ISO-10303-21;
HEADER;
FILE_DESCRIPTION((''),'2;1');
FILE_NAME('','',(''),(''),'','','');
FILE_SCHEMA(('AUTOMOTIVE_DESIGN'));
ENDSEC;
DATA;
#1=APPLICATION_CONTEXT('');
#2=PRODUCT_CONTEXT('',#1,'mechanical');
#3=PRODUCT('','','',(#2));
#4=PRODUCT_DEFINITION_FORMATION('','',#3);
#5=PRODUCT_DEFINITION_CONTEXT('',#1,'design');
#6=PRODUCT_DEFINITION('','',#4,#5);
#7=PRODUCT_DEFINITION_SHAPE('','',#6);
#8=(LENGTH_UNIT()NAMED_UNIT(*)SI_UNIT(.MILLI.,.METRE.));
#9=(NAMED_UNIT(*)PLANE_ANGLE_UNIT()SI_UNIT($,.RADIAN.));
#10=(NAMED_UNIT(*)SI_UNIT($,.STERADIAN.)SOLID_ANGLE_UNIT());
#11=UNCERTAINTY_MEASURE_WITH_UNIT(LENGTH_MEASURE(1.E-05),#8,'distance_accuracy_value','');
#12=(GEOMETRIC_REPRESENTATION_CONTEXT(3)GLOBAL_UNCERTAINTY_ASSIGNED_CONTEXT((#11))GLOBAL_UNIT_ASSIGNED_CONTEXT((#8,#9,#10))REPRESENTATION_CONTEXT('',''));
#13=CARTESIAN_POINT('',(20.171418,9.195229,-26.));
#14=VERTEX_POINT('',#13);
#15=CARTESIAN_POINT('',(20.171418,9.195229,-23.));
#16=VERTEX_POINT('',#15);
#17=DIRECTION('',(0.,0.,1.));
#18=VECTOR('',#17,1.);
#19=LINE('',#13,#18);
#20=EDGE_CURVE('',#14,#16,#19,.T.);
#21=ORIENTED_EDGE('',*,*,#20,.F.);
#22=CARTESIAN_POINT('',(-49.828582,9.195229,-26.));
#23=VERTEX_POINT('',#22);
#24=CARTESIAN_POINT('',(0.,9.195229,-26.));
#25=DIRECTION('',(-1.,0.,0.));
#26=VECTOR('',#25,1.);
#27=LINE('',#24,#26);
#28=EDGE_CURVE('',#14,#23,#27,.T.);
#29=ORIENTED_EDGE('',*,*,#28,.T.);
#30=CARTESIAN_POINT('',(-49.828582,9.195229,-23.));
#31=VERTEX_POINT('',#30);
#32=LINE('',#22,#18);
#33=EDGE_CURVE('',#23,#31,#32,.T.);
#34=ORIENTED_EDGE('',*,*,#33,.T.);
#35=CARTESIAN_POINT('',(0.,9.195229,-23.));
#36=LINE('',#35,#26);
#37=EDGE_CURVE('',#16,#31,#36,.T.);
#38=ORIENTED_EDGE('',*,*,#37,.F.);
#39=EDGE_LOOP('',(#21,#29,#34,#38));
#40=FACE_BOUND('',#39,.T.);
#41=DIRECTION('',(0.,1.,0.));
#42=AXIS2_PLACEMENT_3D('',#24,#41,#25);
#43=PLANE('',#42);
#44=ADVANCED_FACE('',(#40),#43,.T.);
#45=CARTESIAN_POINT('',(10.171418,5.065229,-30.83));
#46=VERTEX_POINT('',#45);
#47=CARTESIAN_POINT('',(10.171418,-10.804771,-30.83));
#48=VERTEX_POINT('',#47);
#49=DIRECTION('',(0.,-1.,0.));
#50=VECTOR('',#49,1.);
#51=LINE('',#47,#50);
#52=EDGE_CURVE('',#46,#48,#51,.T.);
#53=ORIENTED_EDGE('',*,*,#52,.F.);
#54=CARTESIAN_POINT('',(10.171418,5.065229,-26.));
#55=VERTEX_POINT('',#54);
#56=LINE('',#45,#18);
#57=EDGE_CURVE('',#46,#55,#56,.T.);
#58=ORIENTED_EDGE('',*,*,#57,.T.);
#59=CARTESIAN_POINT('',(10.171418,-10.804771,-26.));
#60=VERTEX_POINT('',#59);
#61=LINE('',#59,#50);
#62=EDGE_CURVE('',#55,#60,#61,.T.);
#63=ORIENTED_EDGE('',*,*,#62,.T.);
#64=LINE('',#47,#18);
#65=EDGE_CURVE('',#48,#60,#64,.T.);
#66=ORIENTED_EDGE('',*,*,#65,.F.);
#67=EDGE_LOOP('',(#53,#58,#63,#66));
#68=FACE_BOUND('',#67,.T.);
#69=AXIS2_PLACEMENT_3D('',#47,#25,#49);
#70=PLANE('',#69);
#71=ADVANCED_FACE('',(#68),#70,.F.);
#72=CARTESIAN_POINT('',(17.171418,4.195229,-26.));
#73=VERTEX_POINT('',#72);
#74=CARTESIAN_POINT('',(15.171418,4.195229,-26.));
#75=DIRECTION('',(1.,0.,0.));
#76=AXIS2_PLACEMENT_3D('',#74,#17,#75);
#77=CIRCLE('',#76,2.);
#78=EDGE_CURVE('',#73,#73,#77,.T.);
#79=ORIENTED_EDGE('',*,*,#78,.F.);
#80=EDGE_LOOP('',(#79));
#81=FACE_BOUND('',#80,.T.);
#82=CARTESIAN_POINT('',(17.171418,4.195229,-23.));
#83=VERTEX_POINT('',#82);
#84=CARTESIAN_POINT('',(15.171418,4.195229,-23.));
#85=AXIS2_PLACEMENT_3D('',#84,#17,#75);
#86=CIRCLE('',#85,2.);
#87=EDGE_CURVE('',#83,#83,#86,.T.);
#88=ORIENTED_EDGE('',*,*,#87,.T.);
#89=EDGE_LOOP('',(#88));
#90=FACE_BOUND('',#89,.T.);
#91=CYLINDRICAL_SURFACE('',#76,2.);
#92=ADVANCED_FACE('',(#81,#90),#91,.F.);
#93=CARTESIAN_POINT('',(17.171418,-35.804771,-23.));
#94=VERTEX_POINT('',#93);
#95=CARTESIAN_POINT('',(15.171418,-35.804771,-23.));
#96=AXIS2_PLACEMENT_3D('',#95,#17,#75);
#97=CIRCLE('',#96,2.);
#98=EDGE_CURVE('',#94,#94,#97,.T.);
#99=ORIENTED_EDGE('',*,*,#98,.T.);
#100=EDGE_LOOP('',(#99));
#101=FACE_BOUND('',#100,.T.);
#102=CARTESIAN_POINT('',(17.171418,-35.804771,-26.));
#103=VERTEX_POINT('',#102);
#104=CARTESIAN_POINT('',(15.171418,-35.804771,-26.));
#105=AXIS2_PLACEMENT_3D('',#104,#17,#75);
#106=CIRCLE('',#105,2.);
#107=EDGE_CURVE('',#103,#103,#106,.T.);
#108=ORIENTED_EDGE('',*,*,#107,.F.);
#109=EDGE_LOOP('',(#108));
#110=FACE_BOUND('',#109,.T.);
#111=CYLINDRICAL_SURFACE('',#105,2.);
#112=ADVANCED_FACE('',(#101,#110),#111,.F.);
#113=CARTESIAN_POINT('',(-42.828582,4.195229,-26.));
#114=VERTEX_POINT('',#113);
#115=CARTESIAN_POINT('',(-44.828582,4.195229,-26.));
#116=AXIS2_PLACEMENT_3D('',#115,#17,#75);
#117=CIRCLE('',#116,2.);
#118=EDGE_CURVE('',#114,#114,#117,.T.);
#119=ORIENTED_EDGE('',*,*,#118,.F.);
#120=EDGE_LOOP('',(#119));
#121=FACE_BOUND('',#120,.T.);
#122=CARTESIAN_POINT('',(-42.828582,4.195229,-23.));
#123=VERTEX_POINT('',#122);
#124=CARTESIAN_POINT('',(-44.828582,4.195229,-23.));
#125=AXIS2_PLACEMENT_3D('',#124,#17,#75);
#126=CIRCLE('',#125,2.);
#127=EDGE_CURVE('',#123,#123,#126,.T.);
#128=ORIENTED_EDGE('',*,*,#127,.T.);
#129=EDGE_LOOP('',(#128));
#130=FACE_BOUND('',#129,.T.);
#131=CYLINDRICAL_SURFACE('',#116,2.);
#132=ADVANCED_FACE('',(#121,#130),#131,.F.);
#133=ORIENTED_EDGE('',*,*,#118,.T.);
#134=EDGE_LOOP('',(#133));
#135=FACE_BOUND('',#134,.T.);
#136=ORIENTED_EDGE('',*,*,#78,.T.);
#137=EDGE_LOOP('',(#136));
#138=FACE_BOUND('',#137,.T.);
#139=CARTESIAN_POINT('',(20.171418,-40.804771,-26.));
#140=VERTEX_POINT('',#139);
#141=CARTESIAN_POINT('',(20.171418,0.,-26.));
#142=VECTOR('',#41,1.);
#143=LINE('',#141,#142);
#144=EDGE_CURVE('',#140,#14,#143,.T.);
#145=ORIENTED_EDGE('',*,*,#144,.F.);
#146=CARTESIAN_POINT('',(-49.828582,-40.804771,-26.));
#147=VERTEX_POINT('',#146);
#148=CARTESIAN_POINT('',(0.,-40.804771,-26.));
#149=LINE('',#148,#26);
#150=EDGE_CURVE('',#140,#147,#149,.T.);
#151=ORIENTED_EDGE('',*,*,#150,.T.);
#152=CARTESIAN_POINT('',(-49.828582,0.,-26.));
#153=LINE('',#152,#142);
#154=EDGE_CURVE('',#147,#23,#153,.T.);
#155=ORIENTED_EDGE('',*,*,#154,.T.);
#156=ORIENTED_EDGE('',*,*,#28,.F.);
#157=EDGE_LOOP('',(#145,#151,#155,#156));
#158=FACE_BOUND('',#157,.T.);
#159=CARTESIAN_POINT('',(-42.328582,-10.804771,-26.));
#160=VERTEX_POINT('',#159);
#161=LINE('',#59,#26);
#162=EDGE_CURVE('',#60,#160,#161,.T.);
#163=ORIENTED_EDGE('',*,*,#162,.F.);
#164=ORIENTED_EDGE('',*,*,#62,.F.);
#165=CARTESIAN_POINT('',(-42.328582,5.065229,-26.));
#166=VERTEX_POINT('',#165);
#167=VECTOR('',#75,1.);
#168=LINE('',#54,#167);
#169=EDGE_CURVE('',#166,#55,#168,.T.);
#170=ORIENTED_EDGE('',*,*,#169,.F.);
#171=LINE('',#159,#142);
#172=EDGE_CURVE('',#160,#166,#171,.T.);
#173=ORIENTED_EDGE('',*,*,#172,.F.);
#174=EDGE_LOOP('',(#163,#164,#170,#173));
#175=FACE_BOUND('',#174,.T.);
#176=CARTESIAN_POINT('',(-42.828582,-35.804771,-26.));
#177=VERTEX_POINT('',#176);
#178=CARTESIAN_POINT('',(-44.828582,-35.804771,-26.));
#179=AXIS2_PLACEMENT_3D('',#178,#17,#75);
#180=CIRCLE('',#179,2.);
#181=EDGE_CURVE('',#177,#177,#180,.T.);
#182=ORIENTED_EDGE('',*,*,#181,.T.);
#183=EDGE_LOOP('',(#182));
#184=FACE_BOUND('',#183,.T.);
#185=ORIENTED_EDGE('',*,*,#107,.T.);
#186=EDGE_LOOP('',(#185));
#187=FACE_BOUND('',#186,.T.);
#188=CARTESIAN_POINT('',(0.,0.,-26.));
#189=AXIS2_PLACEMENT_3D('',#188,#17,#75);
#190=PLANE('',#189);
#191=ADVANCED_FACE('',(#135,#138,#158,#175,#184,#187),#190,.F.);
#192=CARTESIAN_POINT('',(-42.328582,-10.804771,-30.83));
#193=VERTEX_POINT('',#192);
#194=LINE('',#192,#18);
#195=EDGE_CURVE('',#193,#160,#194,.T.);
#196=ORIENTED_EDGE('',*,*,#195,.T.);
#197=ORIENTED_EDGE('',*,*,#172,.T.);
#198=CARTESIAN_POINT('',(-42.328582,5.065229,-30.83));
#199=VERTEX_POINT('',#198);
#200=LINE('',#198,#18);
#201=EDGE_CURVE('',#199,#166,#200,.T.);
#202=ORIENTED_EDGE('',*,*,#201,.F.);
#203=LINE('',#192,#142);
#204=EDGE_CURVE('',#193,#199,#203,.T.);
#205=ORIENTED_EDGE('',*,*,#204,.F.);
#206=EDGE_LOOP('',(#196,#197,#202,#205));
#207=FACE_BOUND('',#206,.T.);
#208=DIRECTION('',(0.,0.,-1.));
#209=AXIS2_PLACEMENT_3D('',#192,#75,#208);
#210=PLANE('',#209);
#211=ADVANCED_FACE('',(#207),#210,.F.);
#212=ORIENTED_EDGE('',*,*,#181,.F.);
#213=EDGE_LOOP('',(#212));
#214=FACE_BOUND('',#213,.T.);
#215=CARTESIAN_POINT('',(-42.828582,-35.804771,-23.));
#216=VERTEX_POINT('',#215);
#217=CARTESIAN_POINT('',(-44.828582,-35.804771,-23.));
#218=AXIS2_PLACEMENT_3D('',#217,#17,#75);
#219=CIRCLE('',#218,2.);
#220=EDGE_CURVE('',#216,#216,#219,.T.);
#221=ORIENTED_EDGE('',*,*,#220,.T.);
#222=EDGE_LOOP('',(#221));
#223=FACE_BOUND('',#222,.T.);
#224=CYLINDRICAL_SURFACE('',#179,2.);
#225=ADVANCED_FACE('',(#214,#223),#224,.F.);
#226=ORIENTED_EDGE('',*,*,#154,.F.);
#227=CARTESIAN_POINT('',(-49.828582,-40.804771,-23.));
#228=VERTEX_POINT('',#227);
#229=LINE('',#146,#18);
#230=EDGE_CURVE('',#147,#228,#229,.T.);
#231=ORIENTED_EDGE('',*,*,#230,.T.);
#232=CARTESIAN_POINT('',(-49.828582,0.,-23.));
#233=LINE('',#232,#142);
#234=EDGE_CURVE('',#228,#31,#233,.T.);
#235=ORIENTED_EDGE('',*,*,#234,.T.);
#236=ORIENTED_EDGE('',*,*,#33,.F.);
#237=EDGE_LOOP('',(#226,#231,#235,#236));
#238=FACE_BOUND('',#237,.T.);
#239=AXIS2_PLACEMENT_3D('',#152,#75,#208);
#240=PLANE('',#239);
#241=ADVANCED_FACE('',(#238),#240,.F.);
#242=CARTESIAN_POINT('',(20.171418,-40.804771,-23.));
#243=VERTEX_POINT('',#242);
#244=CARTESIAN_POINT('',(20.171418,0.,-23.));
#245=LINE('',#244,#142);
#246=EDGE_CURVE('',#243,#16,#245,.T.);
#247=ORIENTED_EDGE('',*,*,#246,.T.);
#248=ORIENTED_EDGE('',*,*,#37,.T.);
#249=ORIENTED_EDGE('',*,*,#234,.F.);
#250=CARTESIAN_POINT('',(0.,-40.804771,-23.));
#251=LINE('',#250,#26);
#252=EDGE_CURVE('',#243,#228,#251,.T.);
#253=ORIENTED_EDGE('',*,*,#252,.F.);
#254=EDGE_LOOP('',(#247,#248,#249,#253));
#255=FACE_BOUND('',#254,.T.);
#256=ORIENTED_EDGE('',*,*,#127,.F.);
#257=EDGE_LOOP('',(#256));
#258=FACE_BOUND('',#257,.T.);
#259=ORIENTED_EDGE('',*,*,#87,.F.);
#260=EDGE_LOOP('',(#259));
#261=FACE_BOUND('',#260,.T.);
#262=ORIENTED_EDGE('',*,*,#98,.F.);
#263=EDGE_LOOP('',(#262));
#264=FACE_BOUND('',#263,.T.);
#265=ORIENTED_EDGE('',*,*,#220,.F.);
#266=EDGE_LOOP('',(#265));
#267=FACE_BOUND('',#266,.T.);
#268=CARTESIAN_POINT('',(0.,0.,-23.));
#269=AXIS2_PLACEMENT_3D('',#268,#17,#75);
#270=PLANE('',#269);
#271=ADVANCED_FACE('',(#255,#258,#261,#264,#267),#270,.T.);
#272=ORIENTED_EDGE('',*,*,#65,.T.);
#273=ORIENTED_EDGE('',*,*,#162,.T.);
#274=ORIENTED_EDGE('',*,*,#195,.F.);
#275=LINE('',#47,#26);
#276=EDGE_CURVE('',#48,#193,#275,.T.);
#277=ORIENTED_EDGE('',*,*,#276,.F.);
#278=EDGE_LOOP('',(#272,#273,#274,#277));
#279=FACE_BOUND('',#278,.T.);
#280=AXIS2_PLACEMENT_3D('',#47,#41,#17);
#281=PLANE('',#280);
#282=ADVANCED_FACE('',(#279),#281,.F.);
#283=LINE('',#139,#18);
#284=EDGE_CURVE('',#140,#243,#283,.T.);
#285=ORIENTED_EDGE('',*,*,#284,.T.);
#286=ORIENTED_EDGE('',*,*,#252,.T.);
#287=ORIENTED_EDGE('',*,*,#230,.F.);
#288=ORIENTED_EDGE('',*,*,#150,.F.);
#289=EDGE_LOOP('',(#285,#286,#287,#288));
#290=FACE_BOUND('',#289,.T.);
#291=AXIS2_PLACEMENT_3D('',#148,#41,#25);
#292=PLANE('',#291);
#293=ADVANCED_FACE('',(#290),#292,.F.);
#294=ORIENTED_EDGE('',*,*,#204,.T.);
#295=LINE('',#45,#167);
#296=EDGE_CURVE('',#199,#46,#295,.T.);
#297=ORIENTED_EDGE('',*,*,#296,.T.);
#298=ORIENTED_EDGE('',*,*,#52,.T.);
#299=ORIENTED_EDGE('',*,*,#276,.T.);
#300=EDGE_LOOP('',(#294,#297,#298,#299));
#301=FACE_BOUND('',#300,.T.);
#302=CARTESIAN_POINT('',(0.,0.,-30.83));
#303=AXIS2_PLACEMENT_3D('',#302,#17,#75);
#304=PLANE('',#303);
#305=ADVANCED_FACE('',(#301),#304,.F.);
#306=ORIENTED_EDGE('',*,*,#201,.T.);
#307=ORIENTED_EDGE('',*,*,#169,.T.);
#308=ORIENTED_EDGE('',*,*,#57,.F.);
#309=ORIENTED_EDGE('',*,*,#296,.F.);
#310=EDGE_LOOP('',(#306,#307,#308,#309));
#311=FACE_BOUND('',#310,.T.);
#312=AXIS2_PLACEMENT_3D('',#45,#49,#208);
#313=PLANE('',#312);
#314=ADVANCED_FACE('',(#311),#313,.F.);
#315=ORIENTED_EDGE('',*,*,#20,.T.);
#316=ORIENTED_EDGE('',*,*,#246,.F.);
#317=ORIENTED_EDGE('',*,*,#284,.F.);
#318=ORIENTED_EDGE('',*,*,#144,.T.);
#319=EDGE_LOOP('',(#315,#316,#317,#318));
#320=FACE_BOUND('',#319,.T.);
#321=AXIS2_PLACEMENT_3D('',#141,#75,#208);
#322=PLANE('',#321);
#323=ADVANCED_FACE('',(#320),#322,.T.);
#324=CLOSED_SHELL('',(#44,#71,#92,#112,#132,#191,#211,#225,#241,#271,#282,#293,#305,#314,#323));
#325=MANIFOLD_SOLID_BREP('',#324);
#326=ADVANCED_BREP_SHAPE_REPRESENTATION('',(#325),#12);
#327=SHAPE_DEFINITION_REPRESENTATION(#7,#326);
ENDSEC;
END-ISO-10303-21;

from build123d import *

# Parameters (mm, degrees)
SKETCH1_W           = 70
SKETCH1_H           = 50
SKETCH1_R           = 2
BOSS_EXTRUDE1_DEPTH = 3
SKETCH2_W           = 52.5
SKETCH2_H           = 15.87
BOSS_EXTRUDE2_DEPTH = 4.83


with BuildPart() as part:
    # Sketch1 → Boss-Extrude1 (new body)
    with BuildSketch(Plane.XY.offset(-23)):
        with Locations((-14.828582329, -15.804770786)):
            Rectangle(SKETCH1_W, SKETCH1_H)
        with Locations((15.171417671, -35.804770786)):
            Circle(SKETCH1_R, mode=Mode.SUBTRACT)
        with Locations((-44.828582329, -35.804770786)):
            Circle(SKETCH1_R, mode=Mode.SUBTRACT)
        with Locations((-44.828582329, 4.195229214)):
            Circle(SKETCH1_R, mode=Mode.SUBTRACT)
        with Locations((15.171417671, 4.195229214)):
            Circle(SKETCH1_R, mode=Mode.SUBTRACT)
    extrude(amount=-BOSS_EXTRUDE1_DEPTH)

    # Sketch2 → Boss-Extrude2 (add)
    with BuildSketch(Plane(origin=(0, 0, -26), x_dir=(-1, 0, 0), z_dir=(0, 0, -1))):
        with Locations((16.078582329, -2.869770786)):
            Rectangle(SKETCH2_W, SKETCH2_H)
    extrude(amount=BOSS_EXTRUDE2_DEPTH)


solid = part.part
